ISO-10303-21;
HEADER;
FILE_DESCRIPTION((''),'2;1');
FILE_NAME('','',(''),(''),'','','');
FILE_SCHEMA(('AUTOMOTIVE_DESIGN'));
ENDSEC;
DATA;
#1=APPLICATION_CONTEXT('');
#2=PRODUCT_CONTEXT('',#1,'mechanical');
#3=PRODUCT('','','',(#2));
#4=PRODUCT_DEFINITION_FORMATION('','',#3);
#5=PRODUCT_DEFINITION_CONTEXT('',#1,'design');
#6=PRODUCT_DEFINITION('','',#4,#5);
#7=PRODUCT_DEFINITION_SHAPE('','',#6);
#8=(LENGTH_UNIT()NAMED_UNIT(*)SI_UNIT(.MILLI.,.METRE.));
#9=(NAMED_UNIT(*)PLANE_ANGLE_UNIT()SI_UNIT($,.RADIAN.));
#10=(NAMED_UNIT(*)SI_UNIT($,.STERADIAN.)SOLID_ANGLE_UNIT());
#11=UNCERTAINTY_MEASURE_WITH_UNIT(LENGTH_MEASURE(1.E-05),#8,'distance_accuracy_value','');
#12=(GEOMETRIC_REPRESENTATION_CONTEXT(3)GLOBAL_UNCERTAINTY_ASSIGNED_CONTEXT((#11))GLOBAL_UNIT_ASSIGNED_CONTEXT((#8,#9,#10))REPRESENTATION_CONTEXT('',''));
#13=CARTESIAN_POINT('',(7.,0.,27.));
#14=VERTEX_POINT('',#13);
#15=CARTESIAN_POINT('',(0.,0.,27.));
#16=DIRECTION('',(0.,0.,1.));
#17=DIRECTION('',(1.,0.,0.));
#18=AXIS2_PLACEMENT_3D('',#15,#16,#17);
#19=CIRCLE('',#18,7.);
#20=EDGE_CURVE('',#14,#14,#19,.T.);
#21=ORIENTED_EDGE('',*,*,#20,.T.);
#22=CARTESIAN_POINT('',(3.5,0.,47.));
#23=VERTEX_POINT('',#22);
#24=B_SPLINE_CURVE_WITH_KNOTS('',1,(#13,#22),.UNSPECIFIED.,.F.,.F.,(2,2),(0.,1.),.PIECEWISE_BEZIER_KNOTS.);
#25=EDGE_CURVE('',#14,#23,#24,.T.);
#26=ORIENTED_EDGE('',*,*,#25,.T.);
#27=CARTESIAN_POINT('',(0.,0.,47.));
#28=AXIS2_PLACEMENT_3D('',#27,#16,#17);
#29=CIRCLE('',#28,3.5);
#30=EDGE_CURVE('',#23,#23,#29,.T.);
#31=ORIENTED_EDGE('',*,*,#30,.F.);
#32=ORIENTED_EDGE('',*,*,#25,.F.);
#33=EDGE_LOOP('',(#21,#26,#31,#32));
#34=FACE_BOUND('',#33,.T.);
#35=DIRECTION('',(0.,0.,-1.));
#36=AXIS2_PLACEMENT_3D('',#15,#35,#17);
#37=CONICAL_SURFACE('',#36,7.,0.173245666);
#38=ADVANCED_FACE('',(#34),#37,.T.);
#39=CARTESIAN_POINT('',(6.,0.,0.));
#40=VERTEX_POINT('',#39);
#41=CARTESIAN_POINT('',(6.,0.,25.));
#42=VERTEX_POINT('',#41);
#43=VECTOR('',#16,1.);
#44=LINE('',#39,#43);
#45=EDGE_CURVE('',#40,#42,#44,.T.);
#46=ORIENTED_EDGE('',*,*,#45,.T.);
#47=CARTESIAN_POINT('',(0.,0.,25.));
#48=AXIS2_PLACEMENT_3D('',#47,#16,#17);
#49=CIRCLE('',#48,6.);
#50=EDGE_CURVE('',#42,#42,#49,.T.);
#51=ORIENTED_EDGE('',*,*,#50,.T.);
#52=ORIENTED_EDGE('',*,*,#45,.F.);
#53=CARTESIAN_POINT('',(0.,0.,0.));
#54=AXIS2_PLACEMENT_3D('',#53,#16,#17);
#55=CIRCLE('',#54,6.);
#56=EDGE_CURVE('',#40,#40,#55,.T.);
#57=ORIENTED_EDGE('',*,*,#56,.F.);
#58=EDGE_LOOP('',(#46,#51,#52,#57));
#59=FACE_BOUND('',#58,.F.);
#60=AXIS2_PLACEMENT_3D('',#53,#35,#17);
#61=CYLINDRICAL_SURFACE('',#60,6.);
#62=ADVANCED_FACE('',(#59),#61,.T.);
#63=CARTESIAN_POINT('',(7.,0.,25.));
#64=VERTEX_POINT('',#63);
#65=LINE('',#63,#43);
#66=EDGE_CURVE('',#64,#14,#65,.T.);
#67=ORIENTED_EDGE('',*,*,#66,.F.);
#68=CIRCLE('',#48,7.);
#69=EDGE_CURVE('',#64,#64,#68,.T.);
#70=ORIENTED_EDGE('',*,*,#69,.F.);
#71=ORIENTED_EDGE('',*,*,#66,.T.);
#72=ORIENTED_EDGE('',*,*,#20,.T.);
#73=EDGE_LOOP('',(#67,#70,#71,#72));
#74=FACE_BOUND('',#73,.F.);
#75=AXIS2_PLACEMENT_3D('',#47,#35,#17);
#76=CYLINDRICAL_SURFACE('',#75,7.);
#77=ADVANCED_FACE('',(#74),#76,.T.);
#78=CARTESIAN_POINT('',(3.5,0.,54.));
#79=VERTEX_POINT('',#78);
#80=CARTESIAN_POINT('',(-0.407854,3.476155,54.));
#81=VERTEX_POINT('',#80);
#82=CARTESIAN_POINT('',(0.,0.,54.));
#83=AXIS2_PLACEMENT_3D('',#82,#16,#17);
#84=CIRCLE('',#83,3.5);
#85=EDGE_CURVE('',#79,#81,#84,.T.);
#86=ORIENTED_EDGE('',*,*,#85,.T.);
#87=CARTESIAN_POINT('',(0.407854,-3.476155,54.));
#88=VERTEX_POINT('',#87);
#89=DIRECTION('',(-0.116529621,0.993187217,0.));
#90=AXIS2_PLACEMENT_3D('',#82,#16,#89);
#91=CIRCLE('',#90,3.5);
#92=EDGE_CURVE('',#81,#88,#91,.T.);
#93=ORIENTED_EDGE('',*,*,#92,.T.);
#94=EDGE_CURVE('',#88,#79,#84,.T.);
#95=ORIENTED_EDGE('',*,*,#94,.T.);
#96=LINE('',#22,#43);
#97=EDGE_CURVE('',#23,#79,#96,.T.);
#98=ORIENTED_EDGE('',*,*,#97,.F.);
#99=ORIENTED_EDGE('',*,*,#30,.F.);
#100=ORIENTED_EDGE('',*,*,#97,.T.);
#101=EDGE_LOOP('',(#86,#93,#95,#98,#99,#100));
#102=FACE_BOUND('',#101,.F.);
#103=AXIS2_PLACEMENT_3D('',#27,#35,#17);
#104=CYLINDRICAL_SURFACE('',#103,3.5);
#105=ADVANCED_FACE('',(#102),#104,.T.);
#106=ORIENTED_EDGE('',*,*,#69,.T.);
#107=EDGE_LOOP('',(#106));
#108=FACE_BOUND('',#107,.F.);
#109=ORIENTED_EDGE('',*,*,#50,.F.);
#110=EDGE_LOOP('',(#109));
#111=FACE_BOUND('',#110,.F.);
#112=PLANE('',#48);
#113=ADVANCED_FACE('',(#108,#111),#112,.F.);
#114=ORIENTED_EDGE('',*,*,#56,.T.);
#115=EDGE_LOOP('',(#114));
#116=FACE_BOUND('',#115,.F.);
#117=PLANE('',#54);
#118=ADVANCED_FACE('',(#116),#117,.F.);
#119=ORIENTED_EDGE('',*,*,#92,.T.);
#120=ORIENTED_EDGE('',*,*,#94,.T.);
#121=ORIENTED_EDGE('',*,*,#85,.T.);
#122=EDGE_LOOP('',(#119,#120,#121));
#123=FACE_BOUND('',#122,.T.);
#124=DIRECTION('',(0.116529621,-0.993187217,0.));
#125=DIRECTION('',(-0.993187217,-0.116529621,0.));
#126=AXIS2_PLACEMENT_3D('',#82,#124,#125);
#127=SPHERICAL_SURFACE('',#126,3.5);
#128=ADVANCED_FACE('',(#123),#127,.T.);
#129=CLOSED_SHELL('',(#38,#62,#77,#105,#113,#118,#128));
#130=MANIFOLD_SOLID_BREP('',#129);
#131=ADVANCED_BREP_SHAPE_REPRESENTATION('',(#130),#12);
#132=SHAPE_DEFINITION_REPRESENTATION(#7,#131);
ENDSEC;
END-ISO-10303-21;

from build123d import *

# Parameters (mm, degrees)
F0_R      = 6
F1_DEPTH  = 25
F2_R      = 7
F3_DEPTH  = 2
F3_FACE_R = 7
F5_R      = 3.5
F7_DEPTH  = 7


with BuildPart() as f1:
    # F0 (on Top) → F1 (new body)
    with BuildSketch(Plane.XY):
        Circle(F0_R)
    extrude(amount=F1_DEPTH)

    # F2 (on face) → F3 (join)
    with BuildSketch(Plane.XY.offset(25)):
        Circle(F2_R)
    extrude(amount=F3_DEPTH)

    # F3_face (on face) → F6 section 0
    with BuildSketch(Plane.XY.offset(27)):
        Circle(F3_FACE_R)
    # F5 (on offset) → F6 section 1
    with BuildSketch(Plane.XY.offset(47)):
        Circle(F5_R)
    loft()

    # F7 (add): a face of the model
    f7_faces = [f1.faces().sort_by_distance(p)[0] for p in [
        (0, 0, 47),
    ]]
    extrude(f7_faces, amount=F7_DEPTH)

    # F8 (on face) → F9 (revolve)
    with BuildSketch(Plane.XY.offset(54)):
        with BuildLine():
            Line((0.407853673, -3.4761552585), (0, 0))
            Line((0, 0), (-0.407853673, 3.4761552585))
            ThreePointArc((-0.407853673, 3.4761552585), (-3.4761552585, -0.407853673), (0.407853673, -3.4761552585))
        make_face()
    revolve(axis=Axis((0.2039268365, -1.7380776293, 54), (0.1165296209, -0.9931872167, 0)))


solid = f1.part
